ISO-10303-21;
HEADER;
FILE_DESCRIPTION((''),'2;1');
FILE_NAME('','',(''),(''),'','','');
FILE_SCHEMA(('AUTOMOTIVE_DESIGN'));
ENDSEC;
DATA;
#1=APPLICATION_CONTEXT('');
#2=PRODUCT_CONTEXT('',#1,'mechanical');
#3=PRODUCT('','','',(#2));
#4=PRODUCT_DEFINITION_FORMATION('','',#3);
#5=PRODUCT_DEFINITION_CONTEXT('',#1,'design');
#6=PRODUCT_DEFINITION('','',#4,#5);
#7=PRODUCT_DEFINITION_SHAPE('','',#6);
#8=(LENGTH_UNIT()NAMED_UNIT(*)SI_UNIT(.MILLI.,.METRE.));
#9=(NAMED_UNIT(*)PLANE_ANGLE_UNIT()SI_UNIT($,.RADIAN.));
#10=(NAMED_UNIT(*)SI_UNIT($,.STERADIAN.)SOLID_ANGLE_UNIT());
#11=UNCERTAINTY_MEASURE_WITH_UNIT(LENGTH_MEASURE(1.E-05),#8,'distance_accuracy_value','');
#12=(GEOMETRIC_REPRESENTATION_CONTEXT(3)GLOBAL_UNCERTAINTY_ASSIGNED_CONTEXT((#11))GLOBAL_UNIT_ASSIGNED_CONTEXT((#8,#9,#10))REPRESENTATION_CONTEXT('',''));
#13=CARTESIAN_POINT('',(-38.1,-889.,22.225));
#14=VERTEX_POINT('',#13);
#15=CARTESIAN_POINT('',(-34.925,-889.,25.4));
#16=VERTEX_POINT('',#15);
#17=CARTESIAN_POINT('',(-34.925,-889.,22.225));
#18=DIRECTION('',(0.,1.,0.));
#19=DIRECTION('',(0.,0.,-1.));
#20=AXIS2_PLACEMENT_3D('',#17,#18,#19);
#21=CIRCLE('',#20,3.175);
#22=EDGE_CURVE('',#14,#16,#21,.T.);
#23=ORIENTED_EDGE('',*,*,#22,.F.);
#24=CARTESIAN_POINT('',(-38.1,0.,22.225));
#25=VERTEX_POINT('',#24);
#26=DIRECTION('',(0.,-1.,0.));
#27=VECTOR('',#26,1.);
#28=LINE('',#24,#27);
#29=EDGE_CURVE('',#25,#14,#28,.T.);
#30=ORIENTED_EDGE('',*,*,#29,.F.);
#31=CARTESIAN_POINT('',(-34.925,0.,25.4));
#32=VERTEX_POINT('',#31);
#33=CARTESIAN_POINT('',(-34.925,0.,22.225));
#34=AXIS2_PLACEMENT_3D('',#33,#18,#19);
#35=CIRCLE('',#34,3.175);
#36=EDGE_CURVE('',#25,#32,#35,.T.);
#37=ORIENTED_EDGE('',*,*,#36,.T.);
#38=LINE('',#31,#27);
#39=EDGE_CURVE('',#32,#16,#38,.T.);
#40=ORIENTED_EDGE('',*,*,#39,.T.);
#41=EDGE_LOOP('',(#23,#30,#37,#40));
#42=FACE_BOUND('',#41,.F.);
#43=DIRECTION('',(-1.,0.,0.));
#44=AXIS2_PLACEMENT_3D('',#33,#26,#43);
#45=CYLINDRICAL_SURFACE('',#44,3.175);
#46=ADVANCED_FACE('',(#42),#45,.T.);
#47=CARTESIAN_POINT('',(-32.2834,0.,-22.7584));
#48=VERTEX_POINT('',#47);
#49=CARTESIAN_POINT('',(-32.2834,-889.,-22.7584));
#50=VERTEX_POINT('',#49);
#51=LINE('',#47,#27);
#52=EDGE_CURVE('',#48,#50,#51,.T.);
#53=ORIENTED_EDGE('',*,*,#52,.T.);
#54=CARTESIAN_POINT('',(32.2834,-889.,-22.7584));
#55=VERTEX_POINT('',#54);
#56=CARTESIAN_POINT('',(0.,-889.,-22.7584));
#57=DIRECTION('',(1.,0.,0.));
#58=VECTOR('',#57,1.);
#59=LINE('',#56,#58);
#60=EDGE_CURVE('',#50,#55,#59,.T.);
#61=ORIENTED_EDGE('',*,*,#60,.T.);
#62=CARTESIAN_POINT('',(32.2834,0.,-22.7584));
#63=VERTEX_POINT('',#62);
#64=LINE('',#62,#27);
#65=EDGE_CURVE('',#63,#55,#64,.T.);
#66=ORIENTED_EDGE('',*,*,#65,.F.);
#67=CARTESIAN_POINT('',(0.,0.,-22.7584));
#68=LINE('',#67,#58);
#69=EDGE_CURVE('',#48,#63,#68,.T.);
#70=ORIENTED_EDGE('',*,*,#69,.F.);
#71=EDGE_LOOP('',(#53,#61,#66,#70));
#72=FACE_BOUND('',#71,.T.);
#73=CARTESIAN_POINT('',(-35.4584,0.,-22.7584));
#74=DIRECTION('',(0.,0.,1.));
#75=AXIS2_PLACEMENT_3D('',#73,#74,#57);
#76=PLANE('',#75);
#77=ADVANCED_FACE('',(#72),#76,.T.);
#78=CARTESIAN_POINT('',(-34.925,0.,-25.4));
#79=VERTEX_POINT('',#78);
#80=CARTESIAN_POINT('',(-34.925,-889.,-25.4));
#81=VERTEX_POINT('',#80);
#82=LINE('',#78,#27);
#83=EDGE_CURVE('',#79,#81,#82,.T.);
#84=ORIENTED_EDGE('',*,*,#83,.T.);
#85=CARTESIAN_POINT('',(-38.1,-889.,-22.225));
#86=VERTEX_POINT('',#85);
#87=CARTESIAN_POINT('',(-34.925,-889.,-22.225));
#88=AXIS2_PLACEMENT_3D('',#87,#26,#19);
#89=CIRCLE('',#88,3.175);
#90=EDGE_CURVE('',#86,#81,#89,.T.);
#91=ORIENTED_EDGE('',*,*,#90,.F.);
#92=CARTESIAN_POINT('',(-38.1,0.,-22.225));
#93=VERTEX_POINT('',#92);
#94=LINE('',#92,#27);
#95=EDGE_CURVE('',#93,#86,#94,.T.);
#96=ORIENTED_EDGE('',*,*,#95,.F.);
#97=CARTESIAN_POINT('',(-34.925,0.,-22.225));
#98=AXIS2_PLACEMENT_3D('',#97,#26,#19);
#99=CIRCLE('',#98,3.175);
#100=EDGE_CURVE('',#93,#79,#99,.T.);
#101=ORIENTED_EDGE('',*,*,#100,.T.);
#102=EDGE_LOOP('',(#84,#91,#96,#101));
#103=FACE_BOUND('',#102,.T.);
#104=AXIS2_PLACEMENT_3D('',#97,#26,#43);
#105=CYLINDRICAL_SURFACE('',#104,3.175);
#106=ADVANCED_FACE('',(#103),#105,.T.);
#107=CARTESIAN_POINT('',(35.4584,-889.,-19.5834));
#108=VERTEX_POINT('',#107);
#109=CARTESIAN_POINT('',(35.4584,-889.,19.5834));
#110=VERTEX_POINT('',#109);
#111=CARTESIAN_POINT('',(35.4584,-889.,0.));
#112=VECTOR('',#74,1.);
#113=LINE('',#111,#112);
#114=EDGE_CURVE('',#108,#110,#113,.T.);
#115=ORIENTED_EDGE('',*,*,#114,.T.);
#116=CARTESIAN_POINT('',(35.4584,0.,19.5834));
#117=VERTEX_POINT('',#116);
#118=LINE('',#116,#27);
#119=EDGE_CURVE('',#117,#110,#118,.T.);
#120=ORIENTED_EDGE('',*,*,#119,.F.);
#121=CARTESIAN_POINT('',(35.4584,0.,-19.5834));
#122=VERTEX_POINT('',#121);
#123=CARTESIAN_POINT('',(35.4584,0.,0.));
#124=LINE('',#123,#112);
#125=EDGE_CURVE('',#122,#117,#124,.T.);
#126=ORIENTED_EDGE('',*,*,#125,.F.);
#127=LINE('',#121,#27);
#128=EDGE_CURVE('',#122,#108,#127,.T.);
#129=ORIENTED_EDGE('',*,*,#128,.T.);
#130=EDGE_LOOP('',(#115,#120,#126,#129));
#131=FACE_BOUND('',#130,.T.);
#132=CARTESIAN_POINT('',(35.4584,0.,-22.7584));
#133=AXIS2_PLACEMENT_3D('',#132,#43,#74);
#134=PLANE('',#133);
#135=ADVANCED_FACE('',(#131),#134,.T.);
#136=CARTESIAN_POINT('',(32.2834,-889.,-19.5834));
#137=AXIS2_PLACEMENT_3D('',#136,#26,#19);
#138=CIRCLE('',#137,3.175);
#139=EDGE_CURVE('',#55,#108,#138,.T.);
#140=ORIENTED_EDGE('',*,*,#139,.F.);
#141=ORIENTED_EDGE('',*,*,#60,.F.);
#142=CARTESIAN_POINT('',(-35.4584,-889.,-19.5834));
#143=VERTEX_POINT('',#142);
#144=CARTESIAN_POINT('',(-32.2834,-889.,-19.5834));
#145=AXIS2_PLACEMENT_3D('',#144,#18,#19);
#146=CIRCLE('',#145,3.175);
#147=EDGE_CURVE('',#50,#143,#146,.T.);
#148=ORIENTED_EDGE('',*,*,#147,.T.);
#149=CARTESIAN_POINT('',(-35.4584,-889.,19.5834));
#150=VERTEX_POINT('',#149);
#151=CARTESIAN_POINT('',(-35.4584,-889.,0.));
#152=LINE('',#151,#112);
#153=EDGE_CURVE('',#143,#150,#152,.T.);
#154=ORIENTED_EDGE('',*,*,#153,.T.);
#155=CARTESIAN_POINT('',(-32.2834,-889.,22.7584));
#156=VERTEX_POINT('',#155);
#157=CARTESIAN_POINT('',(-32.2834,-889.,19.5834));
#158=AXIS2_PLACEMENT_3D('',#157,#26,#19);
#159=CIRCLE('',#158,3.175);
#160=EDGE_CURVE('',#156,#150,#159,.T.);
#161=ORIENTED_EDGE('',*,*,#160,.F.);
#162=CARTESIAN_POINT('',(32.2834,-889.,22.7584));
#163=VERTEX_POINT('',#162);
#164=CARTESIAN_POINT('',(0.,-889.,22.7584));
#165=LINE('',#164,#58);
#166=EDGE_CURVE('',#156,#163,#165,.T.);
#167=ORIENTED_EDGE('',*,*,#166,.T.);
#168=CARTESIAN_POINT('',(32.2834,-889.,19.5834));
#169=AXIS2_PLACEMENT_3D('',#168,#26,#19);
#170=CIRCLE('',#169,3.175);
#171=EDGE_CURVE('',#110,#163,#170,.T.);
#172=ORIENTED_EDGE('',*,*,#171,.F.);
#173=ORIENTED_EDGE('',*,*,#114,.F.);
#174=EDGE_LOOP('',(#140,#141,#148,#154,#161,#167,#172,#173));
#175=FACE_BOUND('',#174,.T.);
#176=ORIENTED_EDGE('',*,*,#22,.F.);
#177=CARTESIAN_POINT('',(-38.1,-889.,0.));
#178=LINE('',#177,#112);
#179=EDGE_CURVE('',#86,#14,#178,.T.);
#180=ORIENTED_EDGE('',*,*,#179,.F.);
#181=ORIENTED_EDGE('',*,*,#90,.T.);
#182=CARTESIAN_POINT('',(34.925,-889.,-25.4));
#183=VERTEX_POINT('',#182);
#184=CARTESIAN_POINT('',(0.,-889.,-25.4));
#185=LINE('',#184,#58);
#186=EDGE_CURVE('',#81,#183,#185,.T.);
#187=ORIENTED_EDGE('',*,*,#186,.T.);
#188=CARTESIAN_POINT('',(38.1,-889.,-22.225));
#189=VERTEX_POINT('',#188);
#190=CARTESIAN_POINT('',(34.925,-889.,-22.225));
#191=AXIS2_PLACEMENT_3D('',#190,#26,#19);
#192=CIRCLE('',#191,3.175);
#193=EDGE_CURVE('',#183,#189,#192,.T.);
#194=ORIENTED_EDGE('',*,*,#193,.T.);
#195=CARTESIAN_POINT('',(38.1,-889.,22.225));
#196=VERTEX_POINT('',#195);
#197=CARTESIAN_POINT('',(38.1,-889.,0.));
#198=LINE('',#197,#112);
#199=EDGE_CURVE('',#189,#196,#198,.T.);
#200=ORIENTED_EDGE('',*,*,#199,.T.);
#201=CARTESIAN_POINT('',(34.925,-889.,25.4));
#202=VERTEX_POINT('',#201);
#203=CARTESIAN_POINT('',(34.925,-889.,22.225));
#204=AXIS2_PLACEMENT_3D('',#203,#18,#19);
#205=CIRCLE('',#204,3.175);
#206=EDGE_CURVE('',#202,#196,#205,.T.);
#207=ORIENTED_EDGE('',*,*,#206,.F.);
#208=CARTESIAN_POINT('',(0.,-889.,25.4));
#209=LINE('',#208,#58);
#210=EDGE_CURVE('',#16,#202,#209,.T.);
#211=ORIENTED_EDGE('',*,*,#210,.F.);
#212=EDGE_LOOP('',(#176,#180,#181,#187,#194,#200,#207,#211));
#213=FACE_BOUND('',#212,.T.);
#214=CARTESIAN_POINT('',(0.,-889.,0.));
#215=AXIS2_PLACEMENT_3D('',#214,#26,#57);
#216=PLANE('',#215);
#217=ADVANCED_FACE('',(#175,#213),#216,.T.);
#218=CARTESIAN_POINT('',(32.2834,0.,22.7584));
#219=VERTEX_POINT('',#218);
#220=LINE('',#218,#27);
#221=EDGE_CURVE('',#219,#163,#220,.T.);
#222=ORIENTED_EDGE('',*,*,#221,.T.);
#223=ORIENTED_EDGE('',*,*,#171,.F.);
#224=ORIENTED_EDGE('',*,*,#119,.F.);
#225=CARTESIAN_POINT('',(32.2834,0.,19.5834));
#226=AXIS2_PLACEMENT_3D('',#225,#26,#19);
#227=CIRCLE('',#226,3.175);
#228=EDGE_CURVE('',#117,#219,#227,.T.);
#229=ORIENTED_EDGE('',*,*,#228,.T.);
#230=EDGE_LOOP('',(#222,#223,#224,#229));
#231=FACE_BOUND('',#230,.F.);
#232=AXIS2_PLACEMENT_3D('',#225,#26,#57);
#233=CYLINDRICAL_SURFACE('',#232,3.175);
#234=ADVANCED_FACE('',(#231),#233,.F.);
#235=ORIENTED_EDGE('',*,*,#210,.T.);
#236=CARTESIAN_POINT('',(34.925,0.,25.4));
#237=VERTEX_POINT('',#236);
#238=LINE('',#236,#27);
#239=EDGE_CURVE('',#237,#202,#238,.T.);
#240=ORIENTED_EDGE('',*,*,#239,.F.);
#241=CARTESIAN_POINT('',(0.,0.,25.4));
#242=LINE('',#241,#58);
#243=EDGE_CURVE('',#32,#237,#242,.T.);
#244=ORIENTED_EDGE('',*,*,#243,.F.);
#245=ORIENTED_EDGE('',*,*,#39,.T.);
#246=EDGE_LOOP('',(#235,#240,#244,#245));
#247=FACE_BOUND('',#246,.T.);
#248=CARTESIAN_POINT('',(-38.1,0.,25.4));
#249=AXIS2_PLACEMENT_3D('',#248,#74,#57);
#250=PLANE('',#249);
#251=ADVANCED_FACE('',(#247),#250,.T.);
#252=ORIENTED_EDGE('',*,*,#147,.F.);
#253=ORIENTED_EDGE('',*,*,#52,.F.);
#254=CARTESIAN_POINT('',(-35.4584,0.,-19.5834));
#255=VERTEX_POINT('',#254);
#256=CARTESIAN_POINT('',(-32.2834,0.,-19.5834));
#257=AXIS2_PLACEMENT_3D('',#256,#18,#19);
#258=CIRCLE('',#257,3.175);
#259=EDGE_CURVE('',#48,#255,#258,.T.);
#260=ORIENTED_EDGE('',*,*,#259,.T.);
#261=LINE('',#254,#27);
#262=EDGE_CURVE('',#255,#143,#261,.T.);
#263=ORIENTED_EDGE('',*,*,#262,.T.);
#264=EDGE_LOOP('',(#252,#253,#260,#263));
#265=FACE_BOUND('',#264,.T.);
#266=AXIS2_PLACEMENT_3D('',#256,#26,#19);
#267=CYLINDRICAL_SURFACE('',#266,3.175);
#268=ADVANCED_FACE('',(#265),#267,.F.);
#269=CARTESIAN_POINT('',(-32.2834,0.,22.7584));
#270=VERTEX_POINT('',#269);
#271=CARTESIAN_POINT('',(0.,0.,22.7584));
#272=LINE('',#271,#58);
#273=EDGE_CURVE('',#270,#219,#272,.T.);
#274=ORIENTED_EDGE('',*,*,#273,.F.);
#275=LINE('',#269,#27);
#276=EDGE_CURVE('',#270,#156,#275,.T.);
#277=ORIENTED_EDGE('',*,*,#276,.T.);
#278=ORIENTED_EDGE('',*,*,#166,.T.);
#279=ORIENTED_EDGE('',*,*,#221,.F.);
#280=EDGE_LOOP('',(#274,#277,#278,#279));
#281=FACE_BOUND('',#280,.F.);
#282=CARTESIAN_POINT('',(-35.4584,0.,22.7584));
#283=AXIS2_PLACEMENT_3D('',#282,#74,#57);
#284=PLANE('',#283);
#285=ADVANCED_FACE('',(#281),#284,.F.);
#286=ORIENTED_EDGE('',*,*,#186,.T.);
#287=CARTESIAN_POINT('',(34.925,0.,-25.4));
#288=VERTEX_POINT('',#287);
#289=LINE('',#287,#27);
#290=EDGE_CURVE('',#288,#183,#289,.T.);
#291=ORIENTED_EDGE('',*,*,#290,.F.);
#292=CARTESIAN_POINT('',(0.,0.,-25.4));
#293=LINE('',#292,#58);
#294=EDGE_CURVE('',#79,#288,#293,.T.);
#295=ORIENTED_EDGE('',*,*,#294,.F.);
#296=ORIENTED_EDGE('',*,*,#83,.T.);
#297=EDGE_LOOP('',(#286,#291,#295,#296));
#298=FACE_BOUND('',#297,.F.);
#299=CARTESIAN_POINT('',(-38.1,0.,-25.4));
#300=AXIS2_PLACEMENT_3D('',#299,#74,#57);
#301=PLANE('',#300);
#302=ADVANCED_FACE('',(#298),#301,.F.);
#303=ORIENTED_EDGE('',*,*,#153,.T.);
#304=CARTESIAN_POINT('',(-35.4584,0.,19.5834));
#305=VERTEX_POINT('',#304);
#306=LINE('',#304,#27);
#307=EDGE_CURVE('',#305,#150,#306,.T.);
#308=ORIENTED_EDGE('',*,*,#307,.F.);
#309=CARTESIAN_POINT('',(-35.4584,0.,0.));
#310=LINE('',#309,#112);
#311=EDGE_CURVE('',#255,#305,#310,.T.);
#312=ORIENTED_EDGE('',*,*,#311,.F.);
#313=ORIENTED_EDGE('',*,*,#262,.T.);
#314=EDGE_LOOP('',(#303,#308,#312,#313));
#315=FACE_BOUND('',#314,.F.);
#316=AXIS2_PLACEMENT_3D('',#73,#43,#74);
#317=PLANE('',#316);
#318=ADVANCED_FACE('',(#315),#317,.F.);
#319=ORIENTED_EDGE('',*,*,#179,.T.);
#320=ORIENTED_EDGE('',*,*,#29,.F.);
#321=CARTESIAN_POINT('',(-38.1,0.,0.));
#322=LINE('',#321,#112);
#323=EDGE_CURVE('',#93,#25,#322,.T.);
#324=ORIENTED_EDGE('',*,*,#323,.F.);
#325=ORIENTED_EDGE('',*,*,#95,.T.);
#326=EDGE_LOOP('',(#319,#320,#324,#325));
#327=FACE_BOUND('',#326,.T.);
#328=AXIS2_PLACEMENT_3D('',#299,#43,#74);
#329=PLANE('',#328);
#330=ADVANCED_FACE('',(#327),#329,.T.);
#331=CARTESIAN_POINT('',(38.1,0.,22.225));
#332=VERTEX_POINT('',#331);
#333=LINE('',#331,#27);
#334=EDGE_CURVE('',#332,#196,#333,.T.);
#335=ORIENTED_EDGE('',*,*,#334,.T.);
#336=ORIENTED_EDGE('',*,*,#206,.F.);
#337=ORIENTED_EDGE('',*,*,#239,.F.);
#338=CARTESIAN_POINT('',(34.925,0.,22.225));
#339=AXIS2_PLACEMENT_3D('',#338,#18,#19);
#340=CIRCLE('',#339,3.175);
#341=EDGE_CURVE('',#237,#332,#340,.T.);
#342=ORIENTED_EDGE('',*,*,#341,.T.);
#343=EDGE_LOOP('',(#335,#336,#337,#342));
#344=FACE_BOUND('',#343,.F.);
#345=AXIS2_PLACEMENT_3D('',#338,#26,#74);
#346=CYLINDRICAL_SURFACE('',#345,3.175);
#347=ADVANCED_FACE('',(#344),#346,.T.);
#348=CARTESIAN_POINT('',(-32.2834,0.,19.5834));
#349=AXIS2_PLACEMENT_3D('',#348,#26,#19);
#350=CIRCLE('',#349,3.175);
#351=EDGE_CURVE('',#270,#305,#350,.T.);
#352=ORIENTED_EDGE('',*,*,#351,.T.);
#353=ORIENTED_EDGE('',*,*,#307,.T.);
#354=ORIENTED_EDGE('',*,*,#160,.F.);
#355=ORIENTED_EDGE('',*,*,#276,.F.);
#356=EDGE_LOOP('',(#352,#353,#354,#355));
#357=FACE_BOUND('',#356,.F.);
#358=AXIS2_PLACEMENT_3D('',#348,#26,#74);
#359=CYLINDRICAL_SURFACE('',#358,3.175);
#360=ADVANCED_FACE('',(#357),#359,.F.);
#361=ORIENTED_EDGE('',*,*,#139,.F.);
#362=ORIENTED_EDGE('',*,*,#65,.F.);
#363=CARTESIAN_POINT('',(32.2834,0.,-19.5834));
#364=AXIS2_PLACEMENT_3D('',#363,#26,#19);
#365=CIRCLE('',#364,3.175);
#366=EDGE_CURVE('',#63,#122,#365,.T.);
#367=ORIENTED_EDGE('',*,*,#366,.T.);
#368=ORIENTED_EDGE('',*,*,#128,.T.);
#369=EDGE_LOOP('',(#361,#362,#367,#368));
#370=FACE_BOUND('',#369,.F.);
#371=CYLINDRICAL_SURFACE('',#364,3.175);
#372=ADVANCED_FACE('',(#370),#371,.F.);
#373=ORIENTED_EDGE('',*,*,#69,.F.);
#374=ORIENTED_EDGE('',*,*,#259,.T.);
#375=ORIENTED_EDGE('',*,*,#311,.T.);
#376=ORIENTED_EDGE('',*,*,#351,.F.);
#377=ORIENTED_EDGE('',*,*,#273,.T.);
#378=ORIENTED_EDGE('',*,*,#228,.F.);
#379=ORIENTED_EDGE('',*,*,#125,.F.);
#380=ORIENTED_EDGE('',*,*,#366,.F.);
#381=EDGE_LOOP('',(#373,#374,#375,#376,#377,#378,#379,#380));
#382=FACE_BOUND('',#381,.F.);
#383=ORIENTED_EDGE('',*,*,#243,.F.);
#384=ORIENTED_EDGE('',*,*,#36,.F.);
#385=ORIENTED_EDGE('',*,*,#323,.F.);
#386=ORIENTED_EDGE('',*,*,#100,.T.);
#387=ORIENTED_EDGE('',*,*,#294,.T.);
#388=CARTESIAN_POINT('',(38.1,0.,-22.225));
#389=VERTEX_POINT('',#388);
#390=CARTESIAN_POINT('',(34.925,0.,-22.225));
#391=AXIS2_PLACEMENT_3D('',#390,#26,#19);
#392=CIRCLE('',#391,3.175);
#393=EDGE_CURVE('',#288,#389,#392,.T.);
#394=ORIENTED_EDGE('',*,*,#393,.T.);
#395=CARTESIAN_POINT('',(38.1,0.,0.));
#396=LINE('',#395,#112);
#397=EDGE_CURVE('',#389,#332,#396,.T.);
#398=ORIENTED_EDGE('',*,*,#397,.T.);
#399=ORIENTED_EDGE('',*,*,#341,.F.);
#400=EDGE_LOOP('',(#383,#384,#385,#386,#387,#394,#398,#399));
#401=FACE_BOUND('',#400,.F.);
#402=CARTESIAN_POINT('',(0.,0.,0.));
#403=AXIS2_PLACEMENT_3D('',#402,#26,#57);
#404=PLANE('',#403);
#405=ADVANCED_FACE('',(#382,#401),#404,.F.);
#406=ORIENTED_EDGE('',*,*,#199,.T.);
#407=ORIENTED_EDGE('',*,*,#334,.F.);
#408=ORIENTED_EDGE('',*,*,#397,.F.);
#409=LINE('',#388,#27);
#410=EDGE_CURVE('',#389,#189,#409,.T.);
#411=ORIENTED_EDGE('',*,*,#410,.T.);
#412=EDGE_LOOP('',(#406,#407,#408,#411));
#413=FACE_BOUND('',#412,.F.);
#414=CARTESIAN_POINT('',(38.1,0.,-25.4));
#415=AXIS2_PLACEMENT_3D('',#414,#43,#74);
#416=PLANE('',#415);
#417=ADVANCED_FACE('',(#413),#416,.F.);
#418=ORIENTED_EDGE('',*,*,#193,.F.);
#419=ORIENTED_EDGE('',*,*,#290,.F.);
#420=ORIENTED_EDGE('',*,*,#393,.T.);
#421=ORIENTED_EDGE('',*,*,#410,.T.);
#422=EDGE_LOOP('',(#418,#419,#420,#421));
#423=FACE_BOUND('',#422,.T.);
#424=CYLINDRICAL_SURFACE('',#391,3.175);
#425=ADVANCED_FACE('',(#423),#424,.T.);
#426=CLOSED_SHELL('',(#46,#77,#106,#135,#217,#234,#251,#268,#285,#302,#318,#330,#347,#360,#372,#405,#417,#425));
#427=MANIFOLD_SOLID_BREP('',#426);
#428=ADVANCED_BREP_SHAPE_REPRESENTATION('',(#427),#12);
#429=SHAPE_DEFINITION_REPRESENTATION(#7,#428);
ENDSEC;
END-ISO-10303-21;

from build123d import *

# Parameters (mm, degrees)
F0_W     = 76.2
F0_H     = 50.8
F0_W_2   = 70.9168
F0_H_2   = 45.5168
F1_DEPTH = 889
F2_R     = 3.175


with BuildPart() as f1:
    # F0 (on Front) → F1 (new body)
    with BuildSketch(Plane.XZ):
        Rectangle(F0_W, F0_H)
        Rectangle(F0_W_2, F0_H_2, mode=Mode.SUBTRACT)
    extrude(amount=F1_DEPTH)

    # F2
    f2_edges = [f1.edges().sort_by_distance(p)[0] for p in [
        (38.1, -444.5, 25.4),
        (-38.1, -444.5, 25.4),
        (-35.4584, -444.5, -22.7584),
        (38.1, -444.5, -25.4),
        (-38.1, -444.5, -25.4),
        (35.4584, -444.5, 22.7584),
        (35.4584, -444.5, -22.7584),
        (-35.4584, -444.5, 22.7584),
    ]]
    fillet(f2_edges, radius=F2_R)


solid = f1.part
